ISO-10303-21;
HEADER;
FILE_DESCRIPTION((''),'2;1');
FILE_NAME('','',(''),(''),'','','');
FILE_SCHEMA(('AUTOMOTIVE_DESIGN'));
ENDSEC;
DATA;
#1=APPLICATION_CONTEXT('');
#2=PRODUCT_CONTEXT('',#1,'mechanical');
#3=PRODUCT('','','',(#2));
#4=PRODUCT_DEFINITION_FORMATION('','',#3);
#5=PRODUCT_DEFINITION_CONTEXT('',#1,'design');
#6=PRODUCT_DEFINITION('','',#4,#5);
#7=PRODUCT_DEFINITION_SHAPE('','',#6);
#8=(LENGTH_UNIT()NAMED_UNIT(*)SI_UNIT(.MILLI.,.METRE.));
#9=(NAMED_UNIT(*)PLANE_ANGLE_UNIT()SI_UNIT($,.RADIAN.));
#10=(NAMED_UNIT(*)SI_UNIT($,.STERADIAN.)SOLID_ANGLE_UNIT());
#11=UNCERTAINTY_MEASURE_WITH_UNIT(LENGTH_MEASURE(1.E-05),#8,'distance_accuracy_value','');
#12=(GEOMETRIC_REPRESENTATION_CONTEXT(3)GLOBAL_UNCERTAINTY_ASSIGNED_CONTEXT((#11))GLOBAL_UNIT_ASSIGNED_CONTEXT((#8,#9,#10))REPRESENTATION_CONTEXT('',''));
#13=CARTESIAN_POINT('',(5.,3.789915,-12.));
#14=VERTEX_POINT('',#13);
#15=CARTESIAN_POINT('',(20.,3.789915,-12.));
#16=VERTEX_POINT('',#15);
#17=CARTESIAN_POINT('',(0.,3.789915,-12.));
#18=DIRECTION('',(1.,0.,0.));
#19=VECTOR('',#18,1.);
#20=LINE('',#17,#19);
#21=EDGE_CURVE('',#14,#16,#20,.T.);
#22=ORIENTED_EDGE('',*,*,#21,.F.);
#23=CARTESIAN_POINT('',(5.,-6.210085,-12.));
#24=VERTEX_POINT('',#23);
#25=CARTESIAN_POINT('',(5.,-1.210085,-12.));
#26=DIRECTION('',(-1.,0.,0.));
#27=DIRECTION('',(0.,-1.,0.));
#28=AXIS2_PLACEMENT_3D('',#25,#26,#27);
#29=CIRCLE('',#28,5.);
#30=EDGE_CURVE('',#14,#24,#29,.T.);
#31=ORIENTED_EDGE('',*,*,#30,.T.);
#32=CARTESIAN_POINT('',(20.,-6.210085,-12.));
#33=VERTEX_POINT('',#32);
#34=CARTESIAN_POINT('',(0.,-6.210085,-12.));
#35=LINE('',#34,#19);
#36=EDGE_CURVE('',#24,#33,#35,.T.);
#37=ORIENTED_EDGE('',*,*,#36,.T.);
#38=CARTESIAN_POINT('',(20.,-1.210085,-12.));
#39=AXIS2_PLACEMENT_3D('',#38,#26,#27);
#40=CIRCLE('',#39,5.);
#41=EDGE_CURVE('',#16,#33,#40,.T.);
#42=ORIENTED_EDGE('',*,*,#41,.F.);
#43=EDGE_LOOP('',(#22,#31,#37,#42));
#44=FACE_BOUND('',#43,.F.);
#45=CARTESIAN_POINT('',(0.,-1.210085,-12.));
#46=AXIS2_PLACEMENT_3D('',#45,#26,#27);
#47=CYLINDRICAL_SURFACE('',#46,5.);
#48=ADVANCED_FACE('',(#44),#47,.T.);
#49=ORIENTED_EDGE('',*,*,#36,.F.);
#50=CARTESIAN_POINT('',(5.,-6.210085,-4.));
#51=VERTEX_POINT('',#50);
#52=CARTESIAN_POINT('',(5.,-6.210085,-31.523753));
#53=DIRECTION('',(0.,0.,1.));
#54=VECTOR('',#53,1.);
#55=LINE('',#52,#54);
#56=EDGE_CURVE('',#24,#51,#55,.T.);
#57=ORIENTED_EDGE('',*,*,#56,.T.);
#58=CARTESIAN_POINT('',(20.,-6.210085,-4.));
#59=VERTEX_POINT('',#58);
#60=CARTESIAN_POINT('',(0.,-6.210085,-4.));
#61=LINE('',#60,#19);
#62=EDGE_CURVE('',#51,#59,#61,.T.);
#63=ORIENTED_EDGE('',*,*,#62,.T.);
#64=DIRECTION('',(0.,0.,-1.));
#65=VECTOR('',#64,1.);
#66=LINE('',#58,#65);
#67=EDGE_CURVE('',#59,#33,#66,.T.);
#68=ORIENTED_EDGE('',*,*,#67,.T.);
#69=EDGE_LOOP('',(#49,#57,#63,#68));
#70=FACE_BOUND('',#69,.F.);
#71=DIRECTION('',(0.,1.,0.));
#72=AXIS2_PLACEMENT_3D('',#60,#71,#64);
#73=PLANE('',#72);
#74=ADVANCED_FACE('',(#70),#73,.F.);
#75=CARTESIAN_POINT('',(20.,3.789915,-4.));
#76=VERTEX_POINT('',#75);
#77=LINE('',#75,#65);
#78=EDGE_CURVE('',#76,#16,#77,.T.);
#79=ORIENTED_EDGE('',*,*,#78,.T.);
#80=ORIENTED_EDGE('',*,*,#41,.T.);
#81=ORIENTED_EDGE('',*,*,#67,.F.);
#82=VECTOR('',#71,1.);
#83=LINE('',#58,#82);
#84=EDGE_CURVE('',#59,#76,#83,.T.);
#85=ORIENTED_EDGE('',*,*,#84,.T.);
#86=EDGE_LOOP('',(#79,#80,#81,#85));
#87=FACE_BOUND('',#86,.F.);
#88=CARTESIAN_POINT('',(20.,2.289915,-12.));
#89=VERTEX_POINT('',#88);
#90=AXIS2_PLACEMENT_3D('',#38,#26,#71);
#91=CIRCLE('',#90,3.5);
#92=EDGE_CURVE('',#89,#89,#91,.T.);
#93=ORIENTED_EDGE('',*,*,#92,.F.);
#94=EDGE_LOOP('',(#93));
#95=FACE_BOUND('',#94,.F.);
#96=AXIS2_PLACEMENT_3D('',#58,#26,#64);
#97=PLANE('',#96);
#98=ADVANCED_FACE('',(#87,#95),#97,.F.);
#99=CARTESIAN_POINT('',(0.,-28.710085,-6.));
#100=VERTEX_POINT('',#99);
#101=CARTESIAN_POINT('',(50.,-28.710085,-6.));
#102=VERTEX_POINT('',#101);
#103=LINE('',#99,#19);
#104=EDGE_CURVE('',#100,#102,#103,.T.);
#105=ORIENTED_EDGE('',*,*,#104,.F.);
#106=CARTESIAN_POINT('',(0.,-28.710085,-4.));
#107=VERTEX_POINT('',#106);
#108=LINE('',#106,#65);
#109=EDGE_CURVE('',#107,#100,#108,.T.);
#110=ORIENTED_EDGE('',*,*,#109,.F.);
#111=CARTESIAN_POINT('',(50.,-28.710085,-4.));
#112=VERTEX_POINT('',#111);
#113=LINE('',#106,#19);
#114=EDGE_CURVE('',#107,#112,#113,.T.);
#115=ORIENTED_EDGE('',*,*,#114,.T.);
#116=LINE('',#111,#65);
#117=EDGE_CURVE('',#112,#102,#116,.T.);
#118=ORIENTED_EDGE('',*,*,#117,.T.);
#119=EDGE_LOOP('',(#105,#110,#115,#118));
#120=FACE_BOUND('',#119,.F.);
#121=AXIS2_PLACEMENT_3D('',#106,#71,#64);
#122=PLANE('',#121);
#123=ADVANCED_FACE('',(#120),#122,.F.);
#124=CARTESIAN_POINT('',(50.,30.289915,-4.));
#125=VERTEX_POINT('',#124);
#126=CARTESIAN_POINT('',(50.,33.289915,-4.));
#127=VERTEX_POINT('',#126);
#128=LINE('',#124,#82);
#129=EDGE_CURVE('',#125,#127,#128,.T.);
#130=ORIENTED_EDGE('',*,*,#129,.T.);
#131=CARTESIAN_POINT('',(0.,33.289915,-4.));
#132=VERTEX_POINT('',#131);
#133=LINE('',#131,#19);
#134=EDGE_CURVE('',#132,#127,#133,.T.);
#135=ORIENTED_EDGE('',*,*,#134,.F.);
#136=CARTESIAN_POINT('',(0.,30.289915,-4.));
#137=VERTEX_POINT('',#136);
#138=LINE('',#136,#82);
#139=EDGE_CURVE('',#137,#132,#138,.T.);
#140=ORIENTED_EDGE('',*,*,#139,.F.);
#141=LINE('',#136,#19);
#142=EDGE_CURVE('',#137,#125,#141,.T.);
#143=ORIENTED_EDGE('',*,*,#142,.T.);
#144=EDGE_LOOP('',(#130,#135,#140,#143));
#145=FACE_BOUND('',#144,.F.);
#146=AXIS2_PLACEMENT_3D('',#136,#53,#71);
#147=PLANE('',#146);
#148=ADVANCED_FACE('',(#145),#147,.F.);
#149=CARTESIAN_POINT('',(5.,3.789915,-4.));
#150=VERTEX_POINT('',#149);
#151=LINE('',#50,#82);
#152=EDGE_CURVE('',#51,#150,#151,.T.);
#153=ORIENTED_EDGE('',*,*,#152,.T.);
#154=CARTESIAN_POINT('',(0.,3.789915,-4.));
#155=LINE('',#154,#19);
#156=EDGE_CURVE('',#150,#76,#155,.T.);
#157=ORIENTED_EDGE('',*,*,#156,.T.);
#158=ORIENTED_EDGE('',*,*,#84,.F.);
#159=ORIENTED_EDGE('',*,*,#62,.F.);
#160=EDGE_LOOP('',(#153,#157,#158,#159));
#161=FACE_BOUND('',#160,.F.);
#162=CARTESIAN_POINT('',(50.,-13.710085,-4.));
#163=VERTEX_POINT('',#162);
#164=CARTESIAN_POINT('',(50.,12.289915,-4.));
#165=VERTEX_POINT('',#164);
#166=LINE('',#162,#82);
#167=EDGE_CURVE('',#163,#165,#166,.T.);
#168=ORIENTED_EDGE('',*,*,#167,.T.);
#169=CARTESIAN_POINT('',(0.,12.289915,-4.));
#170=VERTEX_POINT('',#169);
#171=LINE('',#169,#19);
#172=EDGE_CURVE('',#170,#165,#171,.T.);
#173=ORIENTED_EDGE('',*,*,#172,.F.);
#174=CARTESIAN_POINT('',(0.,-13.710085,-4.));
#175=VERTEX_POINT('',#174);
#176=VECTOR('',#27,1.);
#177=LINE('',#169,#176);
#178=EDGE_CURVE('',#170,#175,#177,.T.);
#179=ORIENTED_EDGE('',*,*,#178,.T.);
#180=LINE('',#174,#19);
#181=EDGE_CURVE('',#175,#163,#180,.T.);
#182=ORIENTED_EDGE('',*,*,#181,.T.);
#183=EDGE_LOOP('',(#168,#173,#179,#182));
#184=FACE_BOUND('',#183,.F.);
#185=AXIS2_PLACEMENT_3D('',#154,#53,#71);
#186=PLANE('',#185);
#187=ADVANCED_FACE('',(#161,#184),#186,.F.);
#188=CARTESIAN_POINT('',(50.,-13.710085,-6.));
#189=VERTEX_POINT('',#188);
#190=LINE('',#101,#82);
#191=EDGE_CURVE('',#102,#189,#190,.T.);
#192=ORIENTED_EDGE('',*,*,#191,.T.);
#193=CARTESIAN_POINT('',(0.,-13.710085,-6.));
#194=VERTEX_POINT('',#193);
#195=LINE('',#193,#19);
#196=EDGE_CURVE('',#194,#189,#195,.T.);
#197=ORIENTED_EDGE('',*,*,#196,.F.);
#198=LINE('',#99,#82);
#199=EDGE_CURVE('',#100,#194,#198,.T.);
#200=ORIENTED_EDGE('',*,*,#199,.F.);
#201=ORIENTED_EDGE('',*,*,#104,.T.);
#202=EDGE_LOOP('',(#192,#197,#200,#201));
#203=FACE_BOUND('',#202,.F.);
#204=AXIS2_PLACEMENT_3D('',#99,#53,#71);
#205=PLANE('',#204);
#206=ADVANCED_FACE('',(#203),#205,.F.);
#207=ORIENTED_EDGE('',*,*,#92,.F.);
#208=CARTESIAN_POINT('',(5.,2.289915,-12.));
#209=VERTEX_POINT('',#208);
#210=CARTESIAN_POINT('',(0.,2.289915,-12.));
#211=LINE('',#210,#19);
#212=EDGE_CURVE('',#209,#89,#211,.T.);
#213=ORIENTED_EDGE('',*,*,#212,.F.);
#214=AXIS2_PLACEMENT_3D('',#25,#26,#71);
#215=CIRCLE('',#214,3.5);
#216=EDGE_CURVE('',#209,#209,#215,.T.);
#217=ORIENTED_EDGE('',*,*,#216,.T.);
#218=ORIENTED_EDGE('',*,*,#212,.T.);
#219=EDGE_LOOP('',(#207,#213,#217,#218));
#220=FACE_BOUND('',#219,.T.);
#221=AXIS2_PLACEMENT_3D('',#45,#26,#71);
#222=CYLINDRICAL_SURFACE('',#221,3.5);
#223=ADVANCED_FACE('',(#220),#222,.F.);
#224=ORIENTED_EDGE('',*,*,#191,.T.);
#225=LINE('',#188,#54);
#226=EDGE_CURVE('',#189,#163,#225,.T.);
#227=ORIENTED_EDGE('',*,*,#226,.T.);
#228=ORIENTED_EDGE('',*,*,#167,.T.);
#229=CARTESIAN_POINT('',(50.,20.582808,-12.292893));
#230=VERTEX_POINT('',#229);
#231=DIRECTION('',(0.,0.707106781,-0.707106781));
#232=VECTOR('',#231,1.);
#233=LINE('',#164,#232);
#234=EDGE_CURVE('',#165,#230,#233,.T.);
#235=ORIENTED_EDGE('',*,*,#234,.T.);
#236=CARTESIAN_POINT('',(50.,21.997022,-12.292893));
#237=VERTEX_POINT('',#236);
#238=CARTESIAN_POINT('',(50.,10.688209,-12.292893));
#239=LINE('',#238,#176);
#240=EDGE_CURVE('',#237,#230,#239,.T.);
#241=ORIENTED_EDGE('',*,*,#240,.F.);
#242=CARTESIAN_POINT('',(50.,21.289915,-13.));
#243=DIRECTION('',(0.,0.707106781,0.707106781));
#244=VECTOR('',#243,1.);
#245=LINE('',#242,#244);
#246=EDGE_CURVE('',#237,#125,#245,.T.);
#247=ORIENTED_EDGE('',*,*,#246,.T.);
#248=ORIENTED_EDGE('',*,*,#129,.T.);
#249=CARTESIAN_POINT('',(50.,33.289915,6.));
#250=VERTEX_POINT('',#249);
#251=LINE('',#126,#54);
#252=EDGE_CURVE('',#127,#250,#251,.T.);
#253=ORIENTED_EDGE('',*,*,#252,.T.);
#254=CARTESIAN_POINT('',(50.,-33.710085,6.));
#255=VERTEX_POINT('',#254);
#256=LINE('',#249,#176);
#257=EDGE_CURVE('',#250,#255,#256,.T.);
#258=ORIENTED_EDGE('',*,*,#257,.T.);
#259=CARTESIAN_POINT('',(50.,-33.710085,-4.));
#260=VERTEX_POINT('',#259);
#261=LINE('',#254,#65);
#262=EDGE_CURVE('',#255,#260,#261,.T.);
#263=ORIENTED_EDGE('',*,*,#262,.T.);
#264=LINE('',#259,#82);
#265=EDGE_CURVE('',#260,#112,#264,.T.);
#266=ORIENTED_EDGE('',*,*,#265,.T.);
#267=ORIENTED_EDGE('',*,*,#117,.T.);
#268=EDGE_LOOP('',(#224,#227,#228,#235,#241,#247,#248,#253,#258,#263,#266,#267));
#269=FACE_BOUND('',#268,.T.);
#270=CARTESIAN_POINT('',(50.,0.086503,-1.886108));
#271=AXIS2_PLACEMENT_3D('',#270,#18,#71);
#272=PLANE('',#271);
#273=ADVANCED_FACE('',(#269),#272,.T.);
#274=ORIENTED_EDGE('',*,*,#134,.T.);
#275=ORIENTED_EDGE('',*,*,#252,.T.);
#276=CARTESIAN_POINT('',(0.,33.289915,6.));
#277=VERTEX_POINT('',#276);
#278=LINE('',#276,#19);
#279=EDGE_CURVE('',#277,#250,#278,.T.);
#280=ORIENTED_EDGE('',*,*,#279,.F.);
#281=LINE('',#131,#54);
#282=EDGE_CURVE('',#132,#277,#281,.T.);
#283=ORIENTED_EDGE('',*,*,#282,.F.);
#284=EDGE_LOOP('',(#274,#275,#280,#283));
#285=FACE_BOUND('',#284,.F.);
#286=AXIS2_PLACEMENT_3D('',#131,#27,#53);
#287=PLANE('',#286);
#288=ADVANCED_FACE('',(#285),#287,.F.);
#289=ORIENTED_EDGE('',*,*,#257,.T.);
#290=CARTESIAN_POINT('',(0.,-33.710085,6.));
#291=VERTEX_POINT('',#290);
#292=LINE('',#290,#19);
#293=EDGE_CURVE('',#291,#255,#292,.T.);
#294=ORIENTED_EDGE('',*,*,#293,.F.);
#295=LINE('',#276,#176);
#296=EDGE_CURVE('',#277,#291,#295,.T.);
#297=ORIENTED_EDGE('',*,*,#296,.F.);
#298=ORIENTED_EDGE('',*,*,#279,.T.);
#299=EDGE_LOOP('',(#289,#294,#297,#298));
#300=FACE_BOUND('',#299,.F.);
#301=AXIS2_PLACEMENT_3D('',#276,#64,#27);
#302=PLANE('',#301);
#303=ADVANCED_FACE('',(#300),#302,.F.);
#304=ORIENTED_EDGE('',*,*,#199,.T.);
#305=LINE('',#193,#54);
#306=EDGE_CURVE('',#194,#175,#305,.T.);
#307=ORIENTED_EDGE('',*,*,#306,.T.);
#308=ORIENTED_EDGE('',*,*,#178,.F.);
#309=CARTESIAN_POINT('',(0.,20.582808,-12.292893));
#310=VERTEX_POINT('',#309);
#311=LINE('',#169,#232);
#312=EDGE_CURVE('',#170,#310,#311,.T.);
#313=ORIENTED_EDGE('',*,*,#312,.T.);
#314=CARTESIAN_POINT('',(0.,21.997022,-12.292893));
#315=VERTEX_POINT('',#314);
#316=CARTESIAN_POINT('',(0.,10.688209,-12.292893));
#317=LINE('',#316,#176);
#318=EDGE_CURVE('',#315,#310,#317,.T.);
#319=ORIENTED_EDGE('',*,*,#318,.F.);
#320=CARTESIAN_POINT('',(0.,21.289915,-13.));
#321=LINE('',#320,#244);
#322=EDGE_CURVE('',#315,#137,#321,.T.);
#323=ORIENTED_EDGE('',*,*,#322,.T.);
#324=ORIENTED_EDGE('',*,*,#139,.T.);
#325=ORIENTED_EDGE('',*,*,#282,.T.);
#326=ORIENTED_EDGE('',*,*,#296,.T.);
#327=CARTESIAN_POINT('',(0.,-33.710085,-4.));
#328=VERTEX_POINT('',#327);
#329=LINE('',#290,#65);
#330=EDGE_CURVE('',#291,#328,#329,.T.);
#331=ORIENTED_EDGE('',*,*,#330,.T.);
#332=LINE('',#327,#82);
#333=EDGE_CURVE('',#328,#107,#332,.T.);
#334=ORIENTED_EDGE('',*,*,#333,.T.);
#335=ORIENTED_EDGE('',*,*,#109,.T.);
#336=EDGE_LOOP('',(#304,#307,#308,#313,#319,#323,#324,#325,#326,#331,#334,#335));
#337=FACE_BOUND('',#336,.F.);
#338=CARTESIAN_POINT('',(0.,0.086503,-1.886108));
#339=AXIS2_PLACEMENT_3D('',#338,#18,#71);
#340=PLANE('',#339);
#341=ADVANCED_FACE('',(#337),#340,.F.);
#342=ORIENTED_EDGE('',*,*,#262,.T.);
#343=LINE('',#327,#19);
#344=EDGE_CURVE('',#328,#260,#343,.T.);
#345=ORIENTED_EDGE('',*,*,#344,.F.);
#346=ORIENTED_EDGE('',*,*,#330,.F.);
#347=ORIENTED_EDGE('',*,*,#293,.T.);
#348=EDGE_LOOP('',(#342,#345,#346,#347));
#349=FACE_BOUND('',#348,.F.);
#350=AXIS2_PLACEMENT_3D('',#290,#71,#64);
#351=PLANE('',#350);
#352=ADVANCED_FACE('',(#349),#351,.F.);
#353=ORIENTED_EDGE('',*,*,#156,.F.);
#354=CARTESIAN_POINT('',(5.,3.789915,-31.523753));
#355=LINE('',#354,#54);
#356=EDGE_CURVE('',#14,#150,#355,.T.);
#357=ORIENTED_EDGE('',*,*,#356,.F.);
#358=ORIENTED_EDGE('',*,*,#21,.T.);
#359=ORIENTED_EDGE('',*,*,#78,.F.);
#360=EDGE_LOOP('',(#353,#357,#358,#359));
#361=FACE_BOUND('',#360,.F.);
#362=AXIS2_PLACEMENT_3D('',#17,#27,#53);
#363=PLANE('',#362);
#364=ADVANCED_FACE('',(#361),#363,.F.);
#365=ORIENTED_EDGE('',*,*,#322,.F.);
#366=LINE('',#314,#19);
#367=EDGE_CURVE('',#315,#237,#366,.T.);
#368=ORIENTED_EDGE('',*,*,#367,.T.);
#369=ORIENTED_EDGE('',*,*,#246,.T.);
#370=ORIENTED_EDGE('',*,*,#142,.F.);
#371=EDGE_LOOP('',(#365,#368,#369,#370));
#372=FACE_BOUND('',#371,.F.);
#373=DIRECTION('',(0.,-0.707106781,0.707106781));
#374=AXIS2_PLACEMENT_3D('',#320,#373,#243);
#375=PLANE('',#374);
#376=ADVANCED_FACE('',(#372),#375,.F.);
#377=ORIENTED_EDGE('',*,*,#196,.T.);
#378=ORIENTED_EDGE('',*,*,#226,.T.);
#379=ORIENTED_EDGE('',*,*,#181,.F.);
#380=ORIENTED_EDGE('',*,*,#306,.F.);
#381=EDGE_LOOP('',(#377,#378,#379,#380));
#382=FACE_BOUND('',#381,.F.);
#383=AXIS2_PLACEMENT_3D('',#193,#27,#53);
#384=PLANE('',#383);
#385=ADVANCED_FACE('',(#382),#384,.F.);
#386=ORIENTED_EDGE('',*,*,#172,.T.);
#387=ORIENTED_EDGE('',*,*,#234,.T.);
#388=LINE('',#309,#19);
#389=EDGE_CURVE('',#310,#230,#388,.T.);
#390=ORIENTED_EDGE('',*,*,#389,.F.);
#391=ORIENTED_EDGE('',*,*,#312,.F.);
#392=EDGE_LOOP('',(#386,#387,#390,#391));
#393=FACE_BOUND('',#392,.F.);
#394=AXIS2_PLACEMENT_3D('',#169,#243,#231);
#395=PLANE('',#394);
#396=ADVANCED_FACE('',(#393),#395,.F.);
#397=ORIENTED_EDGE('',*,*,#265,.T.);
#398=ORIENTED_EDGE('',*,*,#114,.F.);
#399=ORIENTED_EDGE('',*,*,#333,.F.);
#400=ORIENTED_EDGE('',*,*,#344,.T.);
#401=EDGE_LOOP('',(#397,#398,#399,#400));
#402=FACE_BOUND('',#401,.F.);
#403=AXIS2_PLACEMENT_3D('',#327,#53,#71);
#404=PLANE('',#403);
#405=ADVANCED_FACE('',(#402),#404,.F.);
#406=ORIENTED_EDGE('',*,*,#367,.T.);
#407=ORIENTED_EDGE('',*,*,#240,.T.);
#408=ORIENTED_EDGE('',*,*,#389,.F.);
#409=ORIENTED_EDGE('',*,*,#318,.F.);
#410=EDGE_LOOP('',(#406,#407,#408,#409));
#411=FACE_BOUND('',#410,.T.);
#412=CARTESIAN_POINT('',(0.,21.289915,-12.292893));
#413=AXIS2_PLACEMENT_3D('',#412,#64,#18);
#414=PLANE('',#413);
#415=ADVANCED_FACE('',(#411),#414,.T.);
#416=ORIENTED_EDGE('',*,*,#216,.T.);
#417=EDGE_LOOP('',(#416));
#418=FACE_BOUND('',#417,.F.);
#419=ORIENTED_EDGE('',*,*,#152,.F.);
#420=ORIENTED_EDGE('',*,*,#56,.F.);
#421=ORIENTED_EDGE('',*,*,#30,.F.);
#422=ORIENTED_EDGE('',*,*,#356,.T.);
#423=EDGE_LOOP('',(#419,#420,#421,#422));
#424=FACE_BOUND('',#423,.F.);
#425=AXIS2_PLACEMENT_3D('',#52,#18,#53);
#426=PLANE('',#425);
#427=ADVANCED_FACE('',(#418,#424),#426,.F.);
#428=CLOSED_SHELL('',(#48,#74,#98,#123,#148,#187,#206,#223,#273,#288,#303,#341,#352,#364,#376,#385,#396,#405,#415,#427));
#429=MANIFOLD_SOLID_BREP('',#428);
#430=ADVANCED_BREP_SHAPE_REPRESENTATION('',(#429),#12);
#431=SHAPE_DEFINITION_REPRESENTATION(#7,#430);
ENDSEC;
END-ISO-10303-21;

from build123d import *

# Parameters (mm, degrees)
F0_R     = 3.5
F1_DEPTH = 50
F2_SIZE  = 1
F3_W     = 30
F3_H     = 8
F3_W_2   = 5
F4_DEPTH = 10


with BuildPart() as f1:
    # F0 (on Right) → F1 (new body)
    with BuildSketch(Plane.YZ):
        with BuildLine():
            Line((33.2899148837, -4), (33.2899148837, 6))
            Line((33.2899148837, 6), (-33.7100851163, 6))
            Line((-33.7100851163, 6), (-33.7100851163, -4))
            Line((-33.7100851163, -4), (-28.7100851163, -4))
            Line((-28.7100851163, -4), (-28.7100851163, -6))
            Line((-28.7100851163, -6), (-13.7100851163, -6))
            Line((-13.7100851163, -6), (-13.7100851163, -4))
            Line((-13.7100851163, -4), (-6.2100851163, -4))
            Line((-6.2100851163, -4), (-6.2100851163, -12))
            ThreePointArc((-6.2100851163, -12), (-1.2100851163, -17), (3.7899148837, -12))
            Line((3.7899148837, -12), (3.7899148837, -4))
            Line((3.7899148837, -4), (12.2899148837, -4))
            Line((12.2899148837, -4), (21.2899148837, -13))
            Line((21.2899148837, -13), (30.2899148837, -4))
            Line((30.2899148837, -4), (33.2899148837, -4))
        make_face()
        with Locations((-1.2100851163, -12)):
            Circle(F0_R, mode=Mode.SUBTRACT)
    extrude(amount=F1_DEPTH)

    # F2
    f2_edges = [f1.edges().sort_by_distance(p)[0] for p in [
        (25, 21.289915, -13),
    ]]
    chamfer(f2_edges, length=F2_SIZE)

    # F3 (on face) → F4 (cut, through all)
    with BuildSketch(Plane.XZ.offset(6.2100851163)):
        with Locations((35, -8)):
            Rectangle(F3_W, F3_H)
        Polygon((79.836667031, -4), (50, -4), (50, -12), (20, -12), (20, -31.4453998581), (79.836667031, -31.4453998581), align=None)
        with Locations((2.5, -8)):
            Rectangle(F3_W_2, F3_H)
        Polygon((5, -31.5237529576), (5, -12), (0, -12), (0, -4), (-35.2658848278, -4), (-35.2658848278, -31.5237529576), align=None)
    extrude(amount=-F4_DEPTH, mode=Mode.SUBTRACT)


solid = f1.part
